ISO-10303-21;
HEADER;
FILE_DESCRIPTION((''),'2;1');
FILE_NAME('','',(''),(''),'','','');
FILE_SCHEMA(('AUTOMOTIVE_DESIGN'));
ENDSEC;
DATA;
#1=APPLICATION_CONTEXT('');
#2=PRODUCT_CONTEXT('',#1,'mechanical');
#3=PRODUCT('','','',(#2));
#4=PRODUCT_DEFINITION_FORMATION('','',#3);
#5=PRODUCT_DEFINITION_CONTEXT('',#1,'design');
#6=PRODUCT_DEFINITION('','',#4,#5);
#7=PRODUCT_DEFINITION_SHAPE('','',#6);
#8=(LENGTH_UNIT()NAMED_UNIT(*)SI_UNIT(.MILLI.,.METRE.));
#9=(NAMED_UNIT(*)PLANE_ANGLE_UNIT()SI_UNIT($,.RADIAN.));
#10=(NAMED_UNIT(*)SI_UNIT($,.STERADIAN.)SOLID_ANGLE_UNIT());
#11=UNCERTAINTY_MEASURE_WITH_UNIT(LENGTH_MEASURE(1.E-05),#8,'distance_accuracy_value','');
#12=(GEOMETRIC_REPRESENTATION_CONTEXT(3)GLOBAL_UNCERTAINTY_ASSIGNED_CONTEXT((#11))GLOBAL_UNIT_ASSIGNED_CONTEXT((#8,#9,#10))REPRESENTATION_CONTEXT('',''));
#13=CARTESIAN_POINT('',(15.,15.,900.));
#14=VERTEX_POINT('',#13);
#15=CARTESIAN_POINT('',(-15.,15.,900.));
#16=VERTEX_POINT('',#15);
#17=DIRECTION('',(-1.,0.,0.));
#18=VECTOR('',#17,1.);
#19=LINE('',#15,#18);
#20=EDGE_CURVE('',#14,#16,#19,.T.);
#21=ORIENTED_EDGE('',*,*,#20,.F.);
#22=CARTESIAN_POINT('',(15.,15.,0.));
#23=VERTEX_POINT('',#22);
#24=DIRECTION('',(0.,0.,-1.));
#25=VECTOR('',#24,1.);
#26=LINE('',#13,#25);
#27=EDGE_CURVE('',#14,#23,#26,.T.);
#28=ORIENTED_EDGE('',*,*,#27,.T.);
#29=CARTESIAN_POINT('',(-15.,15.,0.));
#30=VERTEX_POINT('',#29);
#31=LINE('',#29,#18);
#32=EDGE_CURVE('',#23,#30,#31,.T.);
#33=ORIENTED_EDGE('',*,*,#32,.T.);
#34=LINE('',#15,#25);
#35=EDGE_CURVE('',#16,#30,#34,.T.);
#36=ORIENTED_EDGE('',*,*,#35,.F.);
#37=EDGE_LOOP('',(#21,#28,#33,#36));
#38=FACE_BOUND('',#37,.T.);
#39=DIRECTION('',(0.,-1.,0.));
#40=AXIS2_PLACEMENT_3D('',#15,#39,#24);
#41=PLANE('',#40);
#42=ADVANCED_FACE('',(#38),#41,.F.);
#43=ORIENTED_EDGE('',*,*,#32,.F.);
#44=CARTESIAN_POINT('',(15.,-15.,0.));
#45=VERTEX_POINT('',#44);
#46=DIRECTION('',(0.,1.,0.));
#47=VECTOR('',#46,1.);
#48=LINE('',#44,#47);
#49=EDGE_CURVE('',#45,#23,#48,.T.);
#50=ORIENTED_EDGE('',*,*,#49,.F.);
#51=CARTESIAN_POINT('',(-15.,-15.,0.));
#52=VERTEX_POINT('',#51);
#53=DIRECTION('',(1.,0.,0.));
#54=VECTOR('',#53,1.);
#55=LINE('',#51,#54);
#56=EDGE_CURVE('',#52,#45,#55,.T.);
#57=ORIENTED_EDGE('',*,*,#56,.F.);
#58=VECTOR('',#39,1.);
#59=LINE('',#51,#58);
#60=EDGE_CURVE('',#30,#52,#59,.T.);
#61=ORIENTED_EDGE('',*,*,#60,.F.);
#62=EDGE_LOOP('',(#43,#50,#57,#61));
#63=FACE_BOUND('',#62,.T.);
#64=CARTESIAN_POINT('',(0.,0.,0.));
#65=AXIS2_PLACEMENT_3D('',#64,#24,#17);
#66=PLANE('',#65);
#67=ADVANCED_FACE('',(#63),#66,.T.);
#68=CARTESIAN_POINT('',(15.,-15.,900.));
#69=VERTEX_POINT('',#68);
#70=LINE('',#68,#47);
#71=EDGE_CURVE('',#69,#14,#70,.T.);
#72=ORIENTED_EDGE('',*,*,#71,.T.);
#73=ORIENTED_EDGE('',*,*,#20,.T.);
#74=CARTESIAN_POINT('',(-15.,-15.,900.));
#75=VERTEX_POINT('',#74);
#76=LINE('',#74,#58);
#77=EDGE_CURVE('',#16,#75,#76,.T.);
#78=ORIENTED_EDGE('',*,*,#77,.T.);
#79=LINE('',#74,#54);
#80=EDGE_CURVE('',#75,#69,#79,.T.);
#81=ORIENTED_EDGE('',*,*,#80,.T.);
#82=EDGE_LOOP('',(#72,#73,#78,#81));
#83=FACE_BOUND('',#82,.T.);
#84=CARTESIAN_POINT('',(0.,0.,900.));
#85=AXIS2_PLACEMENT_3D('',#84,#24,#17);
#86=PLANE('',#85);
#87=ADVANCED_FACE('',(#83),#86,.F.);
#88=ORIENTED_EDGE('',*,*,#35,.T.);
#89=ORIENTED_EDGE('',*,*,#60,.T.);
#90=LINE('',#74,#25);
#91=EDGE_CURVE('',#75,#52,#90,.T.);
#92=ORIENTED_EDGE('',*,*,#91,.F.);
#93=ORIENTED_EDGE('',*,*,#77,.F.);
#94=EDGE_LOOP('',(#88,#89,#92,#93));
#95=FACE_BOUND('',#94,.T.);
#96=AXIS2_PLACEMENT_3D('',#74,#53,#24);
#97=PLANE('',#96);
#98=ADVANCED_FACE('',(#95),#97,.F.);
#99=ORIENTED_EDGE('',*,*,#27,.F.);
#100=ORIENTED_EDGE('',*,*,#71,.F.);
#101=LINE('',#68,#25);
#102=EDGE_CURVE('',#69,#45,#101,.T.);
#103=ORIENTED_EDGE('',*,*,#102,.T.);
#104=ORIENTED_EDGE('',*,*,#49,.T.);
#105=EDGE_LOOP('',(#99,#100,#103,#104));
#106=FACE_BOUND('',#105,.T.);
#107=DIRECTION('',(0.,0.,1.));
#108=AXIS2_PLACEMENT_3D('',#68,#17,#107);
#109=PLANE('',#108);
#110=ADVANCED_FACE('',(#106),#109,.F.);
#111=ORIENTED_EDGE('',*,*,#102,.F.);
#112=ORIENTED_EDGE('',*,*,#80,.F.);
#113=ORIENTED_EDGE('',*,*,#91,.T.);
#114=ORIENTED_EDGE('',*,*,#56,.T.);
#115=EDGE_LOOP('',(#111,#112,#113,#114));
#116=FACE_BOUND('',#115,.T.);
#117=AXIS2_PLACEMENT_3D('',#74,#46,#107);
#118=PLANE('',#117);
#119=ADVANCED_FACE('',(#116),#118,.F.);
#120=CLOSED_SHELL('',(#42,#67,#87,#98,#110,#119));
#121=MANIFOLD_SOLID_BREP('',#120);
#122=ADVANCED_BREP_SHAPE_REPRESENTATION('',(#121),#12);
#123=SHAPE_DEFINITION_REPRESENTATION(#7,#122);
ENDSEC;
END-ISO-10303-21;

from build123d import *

# Parameters (mm, degrees)
ESQUISSE1_W        = 30
ESQUISSE1_H        = 30
BOSS_EXTRU_1_DEPTH = 900


with BuildPart() as part:
    # Esquisse1 → Boss.-Extru.1 (new body)
    with BuildSketch(Plane.XY):
        Rectangle(ESQUISSE1_W, ESQUISSE1_H)
    extrude(amount=BOSS_EXTRU_1_DEPTH)


solid = part.part
